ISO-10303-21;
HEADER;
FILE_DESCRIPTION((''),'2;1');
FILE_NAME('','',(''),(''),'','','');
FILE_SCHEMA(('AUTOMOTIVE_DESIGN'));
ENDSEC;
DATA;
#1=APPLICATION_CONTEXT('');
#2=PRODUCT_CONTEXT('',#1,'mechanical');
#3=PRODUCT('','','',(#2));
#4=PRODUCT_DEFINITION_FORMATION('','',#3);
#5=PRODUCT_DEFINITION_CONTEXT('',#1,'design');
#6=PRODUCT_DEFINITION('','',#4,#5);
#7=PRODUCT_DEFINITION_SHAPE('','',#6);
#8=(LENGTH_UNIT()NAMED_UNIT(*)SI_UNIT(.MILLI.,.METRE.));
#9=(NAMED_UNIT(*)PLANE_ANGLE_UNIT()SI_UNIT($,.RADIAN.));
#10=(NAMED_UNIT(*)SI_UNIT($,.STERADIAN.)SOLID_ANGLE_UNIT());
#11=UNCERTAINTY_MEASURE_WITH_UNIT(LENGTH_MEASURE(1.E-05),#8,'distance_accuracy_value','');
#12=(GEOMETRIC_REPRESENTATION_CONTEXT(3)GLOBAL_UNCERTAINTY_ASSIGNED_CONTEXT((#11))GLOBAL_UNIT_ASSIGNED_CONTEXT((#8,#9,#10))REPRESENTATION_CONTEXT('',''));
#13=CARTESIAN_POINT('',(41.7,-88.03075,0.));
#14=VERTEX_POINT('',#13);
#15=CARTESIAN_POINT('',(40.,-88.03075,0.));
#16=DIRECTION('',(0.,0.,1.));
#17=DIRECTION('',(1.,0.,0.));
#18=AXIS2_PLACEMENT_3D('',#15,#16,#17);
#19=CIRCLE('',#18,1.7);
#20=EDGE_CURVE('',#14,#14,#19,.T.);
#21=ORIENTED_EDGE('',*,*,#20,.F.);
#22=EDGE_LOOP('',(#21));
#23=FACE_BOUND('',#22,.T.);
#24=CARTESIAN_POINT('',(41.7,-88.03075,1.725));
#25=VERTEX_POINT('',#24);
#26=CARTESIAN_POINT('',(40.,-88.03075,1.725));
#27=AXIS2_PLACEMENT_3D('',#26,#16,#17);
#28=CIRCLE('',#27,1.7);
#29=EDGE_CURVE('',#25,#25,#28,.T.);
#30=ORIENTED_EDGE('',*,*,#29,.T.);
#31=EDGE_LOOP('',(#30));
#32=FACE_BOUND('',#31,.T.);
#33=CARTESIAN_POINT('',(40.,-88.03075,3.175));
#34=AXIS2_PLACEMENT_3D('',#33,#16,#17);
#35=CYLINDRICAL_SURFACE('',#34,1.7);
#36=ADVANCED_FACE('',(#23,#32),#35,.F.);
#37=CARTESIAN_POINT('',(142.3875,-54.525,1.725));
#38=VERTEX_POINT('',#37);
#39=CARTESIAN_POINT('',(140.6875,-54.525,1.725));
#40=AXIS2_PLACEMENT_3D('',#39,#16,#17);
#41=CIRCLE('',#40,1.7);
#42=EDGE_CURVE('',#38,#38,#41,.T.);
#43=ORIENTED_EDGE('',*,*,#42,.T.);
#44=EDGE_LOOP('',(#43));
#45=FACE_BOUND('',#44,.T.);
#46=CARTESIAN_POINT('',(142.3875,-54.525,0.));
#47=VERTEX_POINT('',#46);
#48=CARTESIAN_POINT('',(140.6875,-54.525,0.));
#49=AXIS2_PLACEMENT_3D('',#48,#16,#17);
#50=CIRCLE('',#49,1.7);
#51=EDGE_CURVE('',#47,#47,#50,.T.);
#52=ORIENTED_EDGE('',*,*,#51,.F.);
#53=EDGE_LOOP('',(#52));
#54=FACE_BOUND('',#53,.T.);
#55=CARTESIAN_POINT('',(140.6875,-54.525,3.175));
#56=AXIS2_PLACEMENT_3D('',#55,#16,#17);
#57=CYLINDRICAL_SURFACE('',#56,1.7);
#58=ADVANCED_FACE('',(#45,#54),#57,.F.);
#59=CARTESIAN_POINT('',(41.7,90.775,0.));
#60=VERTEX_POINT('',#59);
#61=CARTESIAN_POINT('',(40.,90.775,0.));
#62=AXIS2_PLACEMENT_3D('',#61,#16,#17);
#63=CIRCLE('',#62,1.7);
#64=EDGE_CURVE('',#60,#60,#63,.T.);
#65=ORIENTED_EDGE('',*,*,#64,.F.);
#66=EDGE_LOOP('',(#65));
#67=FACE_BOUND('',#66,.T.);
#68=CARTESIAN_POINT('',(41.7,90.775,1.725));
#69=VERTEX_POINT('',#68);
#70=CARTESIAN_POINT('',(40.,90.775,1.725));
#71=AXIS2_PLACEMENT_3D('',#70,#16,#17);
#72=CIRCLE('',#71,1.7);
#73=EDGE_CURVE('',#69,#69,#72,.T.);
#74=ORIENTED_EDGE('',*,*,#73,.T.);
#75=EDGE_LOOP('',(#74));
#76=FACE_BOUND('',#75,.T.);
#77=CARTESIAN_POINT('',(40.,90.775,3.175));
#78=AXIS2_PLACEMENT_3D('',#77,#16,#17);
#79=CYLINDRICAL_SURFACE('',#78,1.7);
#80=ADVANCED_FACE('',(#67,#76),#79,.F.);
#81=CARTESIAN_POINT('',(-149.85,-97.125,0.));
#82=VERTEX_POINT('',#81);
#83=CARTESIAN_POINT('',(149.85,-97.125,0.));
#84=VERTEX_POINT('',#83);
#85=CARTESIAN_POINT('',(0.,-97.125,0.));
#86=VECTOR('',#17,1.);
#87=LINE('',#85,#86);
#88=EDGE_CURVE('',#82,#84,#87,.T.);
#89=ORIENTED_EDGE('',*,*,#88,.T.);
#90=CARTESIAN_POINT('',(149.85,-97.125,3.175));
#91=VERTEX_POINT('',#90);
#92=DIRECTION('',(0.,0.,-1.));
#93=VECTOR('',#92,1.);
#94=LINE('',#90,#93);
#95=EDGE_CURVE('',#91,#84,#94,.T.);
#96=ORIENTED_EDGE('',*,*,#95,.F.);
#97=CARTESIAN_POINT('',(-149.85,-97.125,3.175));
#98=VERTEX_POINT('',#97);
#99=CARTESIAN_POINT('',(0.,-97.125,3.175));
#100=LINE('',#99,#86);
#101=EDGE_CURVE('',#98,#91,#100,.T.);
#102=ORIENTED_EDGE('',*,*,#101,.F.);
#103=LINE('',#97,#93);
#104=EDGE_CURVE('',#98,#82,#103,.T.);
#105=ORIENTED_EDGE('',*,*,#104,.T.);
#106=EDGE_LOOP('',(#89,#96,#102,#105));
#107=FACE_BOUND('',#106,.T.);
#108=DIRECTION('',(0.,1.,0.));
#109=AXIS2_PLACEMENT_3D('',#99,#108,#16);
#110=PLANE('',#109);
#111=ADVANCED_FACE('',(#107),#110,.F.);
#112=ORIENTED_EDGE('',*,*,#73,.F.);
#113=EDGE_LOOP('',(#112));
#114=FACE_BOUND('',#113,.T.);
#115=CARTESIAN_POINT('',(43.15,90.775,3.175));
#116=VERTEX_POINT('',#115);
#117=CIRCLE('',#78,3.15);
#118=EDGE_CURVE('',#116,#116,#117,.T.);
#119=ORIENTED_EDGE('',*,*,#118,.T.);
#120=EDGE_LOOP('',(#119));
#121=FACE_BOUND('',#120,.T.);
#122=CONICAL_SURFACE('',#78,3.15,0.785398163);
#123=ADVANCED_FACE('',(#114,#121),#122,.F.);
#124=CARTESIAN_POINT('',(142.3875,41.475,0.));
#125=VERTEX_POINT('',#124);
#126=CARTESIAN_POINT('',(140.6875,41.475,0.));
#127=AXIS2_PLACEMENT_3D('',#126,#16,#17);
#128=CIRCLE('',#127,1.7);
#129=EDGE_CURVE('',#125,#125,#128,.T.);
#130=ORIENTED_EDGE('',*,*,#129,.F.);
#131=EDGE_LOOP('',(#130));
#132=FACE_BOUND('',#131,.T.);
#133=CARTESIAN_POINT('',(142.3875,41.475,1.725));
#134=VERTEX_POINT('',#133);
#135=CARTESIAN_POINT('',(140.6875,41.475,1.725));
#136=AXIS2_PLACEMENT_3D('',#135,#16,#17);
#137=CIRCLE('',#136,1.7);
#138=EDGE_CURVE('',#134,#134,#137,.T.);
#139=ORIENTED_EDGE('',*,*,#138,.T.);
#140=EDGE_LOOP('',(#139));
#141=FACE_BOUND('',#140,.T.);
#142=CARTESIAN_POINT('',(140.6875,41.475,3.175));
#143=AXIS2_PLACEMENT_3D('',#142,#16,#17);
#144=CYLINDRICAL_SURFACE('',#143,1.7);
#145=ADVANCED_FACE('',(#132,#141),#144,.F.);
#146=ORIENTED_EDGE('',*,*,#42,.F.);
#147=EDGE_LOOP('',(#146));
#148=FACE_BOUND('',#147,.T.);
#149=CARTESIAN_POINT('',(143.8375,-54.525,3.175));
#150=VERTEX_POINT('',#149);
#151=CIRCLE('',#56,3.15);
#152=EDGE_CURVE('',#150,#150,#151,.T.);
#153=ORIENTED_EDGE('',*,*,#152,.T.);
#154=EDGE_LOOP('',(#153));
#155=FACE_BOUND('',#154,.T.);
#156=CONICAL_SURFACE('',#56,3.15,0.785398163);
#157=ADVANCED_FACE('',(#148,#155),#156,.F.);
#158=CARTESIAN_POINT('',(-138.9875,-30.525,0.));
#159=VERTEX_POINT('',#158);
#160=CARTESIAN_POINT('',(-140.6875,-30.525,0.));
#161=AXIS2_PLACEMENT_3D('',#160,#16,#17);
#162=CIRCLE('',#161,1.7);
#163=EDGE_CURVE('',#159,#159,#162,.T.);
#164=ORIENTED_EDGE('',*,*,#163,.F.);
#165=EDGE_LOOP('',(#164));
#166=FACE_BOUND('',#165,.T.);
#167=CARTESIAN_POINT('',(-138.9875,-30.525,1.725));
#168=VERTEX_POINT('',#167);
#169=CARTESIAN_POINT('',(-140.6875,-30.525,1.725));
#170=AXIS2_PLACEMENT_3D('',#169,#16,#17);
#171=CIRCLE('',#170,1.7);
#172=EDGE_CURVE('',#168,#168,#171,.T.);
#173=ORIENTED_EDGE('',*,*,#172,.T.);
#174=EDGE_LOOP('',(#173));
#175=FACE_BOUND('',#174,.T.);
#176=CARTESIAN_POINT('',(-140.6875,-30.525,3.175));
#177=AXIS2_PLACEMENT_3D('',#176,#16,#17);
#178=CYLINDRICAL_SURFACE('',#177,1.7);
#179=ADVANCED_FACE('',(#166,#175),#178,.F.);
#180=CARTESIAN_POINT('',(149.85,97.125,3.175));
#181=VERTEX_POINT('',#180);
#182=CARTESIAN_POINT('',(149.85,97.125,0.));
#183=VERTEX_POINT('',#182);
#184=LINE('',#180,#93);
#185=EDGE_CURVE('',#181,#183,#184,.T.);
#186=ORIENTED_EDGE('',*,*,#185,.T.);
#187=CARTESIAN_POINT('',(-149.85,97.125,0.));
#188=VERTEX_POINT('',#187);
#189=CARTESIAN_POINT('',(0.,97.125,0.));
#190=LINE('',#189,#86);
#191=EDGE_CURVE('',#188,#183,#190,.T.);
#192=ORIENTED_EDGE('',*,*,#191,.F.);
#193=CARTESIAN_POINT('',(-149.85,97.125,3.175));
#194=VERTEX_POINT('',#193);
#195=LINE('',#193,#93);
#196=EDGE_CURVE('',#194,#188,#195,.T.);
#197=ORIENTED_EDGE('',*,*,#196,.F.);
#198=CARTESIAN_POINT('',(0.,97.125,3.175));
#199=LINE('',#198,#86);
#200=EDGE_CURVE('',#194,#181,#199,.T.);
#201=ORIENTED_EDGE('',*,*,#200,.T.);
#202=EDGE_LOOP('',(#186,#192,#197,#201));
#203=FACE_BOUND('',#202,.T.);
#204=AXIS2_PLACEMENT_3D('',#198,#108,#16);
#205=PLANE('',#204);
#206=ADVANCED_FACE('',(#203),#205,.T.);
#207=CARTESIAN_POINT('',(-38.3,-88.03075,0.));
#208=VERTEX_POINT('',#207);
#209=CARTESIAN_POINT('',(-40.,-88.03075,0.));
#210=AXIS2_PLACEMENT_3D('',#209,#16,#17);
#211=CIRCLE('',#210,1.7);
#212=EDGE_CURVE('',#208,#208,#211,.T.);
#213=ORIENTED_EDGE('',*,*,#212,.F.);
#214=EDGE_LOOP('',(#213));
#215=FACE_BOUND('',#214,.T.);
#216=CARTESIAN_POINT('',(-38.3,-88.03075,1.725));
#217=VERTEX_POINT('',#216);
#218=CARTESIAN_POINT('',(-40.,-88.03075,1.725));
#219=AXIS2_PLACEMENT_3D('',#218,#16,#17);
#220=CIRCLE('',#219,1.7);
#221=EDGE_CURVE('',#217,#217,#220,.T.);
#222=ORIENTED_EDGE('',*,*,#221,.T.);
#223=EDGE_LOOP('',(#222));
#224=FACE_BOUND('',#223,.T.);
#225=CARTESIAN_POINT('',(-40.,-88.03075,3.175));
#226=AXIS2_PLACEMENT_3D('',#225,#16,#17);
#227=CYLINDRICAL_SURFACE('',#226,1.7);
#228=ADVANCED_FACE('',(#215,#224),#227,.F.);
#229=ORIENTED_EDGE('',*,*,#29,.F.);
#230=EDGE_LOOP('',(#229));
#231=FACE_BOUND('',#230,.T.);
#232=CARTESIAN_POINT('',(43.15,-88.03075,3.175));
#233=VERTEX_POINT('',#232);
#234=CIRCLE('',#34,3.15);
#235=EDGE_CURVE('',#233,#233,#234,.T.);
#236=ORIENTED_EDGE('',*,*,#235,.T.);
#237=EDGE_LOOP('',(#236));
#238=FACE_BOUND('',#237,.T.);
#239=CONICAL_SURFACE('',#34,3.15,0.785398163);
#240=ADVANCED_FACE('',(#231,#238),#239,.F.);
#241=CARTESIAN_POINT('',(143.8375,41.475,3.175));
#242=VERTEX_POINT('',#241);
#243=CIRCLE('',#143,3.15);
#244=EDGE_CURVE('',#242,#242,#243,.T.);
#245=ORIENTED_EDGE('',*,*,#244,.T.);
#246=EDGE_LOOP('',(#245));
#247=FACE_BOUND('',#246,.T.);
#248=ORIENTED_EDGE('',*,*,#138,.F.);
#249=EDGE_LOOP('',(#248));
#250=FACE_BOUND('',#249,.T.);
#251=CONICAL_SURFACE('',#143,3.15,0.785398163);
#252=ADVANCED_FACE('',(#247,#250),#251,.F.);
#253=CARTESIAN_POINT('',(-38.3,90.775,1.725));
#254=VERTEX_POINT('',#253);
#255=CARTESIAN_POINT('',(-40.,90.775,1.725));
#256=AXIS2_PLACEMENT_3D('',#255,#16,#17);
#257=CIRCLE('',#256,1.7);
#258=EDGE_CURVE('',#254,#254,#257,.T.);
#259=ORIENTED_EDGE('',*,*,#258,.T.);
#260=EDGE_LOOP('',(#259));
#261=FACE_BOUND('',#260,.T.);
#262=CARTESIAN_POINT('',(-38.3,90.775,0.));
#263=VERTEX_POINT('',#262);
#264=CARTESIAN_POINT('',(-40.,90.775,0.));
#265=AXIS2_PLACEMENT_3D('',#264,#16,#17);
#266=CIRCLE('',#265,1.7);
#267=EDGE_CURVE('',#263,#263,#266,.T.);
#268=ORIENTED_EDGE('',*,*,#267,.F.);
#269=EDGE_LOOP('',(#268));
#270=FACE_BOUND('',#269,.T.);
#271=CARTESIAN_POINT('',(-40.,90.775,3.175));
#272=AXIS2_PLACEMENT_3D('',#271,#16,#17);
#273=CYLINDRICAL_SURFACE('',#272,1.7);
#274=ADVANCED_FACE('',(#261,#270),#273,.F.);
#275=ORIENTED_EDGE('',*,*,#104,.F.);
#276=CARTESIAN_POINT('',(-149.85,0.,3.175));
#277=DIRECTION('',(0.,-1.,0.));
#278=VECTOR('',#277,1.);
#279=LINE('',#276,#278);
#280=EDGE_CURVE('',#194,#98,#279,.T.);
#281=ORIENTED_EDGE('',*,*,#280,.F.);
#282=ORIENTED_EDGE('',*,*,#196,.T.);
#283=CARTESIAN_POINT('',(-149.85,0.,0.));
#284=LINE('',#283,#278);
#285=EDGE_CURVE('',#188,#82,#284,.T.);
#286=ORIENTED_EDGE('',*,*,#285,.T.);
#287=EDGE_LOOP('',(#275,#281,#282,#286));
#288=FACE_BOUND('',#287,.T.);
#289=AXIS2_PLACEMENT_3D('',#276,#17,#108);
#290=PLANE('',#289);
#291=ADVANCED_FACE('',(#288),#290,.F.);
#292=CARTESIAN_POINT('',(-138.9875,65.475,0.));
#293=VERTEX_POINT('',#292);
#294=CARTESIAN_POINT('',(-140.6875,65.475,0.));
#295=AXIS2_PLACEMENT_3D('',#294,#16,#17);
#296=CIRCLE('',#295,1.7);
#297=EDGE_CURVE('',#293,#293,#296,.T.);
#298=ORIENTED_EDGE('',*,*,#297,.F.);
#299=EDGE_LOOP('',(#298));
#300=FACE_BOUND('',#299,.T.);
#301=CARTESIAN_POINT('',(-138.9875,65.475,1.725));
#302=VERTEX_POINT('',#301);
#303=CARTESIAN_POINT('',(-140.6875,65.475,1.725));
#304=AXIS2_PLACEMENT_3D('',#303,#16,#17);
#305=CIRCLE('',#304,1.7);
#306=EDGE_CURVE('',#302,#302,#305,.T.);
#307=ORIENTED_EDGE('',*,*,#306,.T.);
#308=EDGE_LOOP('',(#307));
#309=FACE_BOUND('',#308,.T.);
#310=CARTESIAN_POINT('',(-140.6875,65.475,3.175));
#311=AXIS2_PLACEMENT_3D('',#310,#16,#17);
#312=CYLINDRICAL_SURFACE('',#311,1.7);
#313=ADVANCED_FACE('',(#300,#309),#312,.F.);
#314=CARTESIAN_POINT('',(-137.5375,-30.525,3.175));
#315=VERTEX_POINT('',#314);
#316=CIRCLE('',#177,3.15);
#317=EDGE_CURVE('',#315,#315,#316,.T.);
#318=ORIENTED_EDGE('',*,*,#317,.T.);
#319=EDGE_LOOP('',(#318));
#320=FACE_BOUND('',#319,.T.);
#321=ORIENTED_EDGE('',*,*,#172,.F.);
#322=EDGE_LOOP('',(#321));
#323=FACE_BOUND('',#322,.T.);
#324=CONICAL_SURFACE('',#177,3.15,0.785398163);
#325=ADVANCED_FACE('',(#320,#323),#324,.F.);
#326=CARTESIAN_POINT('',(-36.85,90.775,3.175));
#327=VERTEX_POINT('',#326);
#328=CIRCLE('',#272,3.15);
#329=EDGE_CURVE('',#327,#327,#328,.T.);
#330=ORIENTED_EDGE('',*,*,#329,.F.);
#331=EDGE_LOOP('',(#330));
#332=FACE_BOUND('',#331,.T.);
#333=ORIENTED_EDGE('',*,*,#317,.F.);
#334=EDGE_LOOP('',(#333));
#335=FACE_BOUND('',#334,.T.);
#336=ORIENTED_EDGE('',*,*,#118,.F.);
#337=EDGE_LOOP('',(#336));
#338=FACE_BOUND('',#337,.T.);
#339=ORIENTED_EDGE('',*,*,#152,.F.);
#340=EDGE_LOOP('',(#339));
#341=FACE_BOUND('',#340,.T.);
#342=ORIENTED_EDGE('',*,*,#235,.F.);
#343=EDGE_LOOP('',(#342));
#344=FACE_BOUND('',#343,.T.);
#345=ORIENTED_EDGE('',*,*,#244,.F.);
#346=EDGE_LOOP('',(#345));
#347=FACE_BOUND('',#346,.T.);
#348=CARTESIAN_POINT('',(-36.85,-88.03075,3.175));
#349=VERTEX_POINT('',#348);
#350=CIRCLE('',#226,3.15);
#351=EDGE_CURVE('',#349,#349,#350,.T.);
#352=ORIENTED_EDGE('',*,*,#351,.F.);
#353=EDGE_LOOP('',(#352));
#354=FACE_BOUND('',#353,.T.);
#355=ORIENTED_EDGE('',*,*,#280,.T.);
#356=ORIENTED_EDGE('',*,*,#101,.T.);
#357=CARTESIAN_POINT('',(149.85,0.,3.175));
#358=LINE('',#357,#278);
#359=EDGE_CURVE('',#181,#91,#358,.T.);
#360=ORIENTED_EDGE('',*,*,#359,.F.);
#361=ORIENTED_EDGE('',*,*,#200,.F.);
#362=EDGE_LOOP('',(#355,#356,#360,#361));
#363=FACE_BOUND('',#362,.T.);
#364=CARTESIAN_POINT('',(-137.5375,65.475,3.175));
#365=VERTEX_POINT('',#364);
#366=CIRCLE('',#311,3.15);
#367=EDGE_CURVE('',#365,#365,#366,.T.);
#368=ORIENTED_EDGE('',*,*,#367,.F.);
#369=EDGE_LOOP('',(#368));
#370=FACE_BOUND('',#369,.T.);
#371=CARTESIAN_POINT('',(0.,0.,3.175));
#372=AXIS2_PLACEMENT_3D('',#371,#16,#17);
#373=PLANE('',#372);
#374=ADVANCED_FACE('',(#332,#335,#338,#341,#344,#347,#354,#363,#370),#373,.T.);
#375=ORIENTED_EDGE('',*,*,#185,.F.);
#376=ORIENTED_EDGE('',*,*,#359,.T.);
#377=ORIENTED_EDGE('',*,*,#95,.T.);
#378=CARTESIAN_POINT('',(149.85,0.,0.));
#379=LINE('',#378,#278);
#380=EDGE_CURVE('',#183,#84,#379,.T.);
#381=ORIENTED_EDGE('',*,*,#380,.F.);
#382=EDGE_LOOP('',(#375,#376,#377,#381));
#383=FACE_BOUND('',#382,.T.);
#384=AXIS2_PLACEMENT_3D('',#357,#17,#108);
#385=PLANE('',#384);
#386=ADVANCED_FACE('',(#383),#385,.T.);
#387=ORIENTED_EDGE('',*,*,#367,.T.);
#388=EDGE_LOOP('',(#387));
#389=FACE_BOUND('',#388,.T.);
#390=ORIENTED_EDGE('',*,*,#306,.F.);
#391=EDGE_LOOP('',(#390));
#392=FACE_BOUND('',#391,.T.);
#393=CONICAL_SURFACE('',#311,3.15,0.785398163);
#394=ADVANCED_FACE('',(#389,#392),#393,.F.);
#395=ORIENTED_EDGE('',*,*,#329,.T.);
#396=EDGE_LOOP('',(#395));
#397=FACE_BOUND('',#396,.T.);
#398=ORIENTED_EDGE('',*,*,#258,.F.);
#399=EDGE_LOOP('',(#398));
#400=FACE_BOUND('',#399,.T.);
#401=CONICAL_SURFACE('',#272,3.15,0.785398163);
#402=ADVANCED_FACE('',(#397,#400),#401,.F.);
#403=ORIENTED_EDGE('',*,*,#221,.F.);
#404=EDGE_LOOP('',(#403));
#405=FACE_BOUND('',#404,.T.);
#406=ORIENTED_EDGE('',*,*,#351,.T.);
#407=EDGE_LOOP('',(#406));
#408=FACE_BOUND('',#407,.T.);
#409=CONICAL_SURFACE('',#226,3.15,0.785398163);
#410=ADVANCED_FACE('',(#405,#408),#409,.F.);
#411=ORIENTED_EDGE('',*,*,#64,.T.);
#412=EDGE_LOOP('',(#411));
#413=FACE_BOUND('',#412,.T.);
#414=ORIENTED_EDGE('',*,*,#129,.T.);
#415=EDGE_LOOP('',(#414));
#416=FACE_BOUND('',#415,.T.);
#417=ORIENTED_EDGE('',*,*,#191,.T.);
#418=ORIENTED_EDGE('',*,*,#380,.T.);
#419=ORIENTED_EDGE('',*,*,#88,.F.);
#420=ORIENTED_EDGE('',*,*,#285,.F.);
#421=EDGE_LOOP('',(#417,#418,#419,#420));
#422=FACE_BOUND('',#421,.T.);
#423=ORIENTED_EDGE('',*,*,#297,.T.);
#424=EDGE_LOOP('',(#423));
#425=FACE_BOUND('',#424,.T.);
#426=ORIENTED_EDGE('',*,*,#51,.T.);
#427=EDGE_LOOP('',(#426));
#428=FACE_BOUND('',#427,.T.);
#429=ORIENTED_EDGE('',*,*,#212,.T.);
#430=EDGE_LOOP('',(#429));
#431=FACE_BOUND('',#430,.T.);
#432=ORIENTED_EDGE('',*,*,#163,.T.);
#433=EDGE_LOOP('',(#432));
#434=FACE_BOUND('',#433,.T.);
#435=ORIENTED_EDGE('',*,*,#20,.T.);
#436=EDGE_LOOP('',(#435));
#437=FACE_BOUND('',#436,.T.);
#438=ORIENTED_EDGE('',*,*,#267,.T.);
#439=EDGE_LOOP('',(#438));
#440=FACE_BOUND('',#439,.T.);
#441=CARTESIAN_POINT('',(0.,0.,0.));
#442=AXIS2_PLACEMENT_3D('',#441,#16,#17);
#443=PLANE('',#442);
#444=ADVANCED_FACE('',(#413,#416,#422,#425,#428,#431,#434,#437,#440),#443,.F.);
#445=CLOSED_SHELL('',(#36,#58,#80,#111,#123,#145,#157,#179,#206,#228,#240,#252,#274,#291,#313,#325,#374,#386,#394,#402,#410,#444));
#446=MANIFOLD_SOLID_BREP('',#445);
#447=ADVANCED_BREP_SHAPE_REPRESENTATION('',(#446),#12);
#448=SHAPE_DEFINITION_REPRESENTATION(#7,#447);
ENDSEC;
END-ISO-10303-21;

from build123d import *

# Parameters (mm, degrees)
SKETCH1_W                                       = 299.7
SKETCH1_H                                       = 194.25
SKETCH1_R                                       = 10.775
BOSS_EXTRUDE1_DEPTH                             = 3.175
CSK_FOR_M3_FLAT_HEAD_MACHINE_SCREW1_D           = 3.4
CSK_FOR_M3_FLAT_HEAD_MACHINE_SCREW1_CSINK_D     = 6.3
CSK_FOR_M3_FLAT_HEAD_MACHINE_SCREW1_CSINK_ANGLE = 90


with BuildPart() as part:
    # Sketch1 → Boss-Extrude1 (new body)
    # profile 1 of 5: a face of its own
    with BuildSketch(Plane.XY):
        Rectangle(SKETCH1_W, SKETCH1_H)
        with Locations((-139.075, -86.35)):
            Circle(SKETCH1_R, mode=Mode.SUBTRACT)
        with Locations((-127.075, -63.35)):
            Circle(SKETCH1_R, mode=Mode.SUBTRACT)
    # profile 2 of 5: a face of its own
    with BuildSketch(Plane.XY):
        with Locations((-127.075, -63.35)):
            Circle(SKETCH1_R)
    # profile 3 of 5: a face of its own
    with BuildSketch(Plane.XY):
        with Locations((-139.075, -86.35)):
            Circle(SKETCH1_R)
    # profile 4 of 5: a face of its own
    with BuildSketch(Plane.XY):
        with BuildLine():
            ThreePointArc((-139.075, -97.125), (-146.694075567, -93.969075567), (-149.85, -86.35))
            Line((-149.85, -86.35), (-149.85, -97.125))
            Line((-149.85, -97.125), (-139.075, -97.125))
        make_face()
    # profile 5 of 5: a face of its own
    with BuildSketch(Plane.XY):
        Rectangle(SKETCH1_W, SKETCH1_H)
    extrude(amount=BOSS_EXTRUDE1_DEPTH)

    # CSK for M3 Flat Head Machine Screw1 (through all)
    with Locations(Plane.XY.offset(3.175)):
        with Locations((-40, 90.775000052), (140.687500033, 41.475000052), (140.687500033, -54.524999948), (40, -88.030749948), (-40, -88.030749948), (-140.687500033, -30.524999948), (-140.687500033, 65.475000052), (40, 90.775000052)):
            CounterSinkHole(CSK_FOR_M3_FLAT_HEAD_MACHINE_SCREW1_D / 2, CSK_FOR_M3_FLAT_HEAD_MACHINE_SCREW1_CSINK_D / 2, counter_sink_angle=CSK_FOR_M3_FLAT_HEAD_MACHINE_SCREW1_CSINK_ANGLE)


solid = part.part
